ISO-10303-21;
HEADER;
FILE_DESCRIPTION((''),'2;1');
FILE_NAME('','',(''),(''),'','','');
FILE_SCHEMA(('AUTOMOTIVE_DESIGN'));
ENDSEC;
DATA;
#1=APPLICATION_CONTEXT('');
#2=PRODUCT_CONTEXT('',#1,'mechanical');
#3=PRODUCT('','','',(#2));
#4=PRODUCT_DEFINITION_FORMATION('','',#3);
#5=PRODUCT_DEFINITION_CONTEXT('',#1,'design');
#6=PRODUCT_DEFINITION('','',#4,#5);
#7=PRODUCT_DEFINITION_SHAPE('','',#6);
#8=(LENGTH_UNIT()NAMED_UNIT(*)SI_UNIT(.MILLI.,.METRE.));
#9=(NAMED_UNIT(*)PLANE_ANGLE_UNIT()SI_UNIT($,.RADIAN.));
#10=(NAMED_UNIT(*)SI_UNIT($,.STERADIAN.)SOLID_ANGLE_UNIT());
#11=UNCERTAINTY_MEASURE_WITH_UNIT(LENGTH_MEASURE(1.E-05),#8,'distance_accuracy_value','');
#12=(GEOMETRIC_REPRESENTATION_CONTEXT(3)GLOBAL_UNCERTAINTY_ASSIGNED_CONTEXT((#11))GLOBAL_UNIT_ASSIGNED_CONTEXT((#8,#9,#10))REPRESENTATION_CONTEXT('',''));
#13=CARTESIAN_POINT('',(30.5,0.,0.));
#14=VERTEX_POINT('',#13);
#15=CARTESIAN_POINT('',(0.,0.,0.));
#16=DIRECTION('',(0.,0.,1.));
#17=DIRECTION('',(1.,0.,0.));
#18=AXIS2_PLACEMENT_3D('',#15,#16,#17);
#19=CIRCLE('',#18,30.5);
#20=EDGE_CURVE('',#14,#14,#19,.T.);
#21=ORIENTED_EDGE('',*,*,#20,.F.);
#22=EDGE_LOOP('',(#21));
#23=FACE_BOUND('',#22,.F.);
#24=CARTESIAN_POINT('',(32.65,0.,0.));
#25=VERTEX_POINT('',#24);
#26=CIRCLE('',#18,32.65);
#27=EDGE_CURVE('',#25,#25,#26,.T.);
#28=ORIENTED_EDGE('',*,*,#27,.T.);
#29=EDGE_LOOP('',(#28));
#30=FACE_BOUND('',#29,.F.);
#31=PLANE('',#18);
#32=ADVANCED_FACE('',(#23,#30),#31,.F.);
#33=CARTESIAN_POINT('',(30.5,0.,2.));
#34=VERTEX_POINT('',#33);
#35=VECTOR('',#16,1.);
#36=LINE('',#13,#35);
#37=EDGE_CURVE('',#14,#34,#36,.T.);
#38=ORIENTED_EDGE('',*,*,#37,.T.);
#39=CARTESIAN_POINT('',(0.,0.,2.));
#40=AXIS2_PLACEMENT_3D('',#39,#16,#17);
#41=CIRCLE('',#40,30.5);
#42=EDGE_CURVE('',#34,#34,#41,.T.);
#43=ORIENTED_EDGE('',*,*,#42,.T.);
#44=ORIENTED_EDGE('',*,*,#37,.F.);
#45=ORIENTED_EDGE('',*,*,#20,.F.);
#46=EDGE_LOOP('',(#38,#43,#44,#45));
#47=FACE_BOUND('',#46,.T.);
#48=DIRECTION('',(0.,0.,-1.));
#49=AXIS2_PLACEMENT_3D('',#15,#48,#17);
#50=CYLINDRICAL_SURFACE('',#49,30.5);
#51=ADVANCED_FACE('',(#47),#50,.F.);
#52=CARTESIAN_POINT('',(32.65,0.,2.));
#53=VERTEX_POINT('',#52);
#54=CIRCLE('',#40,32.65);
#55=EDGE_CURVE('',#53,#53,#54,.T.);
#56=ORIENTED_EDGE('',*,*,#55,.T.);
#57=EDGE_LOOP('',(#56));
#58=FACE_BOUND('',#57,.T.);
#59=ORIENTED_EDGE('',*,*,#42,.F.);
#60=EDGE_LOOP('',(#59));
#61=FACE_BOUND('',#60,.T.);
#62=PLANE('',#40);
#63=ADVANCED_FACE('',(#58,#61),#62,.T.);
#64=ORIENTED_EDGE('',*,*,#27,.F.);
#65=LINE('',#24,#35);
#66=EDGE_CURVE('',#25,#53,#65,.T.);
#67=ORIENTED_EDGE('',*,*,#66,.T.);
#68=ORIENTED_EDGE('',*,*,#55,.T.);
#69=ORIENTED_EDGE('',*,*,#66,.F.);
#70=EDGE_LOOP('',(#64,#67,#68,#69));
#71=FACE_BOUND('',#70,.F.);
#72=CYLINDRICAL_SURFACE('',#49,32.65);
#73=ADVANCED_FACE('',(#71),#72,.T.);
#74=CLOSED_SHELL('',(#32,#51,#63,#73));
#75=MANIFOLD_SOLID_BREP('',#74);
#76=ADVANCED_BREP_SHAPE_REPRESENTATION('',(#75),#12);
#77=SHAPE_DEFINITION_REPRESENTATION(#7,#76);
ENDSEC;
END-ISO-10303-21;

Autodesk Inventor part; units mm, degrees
ref_plane "YZ Plane" through (0, 0, 0) normal (1, 0, 0) x (0, 1, 0)
ref_plane "XZ Plane" through (0, 0, 0) normal (0, 1, 0) x (-1, 0, 0)
ref_plane "XY Plane" through (0, 0, 0) normal (0, 0, 1) x (1, 0, 0)
sketch "Sketch1" plane through (0, 0, 0) normal (0, 0, 1) x (1, 0, 0)
  circle A0 centre (0, 0) radius 30.5
  circle A1 centre (0, 0) radius 32.65
  point P0 (-27.1505, 13.896)
  point P1 (-29.5453, 13.896)
extrude "Extrusion1" add sketch "Sketch1" along normal blind 2
properties part number "Arm"
